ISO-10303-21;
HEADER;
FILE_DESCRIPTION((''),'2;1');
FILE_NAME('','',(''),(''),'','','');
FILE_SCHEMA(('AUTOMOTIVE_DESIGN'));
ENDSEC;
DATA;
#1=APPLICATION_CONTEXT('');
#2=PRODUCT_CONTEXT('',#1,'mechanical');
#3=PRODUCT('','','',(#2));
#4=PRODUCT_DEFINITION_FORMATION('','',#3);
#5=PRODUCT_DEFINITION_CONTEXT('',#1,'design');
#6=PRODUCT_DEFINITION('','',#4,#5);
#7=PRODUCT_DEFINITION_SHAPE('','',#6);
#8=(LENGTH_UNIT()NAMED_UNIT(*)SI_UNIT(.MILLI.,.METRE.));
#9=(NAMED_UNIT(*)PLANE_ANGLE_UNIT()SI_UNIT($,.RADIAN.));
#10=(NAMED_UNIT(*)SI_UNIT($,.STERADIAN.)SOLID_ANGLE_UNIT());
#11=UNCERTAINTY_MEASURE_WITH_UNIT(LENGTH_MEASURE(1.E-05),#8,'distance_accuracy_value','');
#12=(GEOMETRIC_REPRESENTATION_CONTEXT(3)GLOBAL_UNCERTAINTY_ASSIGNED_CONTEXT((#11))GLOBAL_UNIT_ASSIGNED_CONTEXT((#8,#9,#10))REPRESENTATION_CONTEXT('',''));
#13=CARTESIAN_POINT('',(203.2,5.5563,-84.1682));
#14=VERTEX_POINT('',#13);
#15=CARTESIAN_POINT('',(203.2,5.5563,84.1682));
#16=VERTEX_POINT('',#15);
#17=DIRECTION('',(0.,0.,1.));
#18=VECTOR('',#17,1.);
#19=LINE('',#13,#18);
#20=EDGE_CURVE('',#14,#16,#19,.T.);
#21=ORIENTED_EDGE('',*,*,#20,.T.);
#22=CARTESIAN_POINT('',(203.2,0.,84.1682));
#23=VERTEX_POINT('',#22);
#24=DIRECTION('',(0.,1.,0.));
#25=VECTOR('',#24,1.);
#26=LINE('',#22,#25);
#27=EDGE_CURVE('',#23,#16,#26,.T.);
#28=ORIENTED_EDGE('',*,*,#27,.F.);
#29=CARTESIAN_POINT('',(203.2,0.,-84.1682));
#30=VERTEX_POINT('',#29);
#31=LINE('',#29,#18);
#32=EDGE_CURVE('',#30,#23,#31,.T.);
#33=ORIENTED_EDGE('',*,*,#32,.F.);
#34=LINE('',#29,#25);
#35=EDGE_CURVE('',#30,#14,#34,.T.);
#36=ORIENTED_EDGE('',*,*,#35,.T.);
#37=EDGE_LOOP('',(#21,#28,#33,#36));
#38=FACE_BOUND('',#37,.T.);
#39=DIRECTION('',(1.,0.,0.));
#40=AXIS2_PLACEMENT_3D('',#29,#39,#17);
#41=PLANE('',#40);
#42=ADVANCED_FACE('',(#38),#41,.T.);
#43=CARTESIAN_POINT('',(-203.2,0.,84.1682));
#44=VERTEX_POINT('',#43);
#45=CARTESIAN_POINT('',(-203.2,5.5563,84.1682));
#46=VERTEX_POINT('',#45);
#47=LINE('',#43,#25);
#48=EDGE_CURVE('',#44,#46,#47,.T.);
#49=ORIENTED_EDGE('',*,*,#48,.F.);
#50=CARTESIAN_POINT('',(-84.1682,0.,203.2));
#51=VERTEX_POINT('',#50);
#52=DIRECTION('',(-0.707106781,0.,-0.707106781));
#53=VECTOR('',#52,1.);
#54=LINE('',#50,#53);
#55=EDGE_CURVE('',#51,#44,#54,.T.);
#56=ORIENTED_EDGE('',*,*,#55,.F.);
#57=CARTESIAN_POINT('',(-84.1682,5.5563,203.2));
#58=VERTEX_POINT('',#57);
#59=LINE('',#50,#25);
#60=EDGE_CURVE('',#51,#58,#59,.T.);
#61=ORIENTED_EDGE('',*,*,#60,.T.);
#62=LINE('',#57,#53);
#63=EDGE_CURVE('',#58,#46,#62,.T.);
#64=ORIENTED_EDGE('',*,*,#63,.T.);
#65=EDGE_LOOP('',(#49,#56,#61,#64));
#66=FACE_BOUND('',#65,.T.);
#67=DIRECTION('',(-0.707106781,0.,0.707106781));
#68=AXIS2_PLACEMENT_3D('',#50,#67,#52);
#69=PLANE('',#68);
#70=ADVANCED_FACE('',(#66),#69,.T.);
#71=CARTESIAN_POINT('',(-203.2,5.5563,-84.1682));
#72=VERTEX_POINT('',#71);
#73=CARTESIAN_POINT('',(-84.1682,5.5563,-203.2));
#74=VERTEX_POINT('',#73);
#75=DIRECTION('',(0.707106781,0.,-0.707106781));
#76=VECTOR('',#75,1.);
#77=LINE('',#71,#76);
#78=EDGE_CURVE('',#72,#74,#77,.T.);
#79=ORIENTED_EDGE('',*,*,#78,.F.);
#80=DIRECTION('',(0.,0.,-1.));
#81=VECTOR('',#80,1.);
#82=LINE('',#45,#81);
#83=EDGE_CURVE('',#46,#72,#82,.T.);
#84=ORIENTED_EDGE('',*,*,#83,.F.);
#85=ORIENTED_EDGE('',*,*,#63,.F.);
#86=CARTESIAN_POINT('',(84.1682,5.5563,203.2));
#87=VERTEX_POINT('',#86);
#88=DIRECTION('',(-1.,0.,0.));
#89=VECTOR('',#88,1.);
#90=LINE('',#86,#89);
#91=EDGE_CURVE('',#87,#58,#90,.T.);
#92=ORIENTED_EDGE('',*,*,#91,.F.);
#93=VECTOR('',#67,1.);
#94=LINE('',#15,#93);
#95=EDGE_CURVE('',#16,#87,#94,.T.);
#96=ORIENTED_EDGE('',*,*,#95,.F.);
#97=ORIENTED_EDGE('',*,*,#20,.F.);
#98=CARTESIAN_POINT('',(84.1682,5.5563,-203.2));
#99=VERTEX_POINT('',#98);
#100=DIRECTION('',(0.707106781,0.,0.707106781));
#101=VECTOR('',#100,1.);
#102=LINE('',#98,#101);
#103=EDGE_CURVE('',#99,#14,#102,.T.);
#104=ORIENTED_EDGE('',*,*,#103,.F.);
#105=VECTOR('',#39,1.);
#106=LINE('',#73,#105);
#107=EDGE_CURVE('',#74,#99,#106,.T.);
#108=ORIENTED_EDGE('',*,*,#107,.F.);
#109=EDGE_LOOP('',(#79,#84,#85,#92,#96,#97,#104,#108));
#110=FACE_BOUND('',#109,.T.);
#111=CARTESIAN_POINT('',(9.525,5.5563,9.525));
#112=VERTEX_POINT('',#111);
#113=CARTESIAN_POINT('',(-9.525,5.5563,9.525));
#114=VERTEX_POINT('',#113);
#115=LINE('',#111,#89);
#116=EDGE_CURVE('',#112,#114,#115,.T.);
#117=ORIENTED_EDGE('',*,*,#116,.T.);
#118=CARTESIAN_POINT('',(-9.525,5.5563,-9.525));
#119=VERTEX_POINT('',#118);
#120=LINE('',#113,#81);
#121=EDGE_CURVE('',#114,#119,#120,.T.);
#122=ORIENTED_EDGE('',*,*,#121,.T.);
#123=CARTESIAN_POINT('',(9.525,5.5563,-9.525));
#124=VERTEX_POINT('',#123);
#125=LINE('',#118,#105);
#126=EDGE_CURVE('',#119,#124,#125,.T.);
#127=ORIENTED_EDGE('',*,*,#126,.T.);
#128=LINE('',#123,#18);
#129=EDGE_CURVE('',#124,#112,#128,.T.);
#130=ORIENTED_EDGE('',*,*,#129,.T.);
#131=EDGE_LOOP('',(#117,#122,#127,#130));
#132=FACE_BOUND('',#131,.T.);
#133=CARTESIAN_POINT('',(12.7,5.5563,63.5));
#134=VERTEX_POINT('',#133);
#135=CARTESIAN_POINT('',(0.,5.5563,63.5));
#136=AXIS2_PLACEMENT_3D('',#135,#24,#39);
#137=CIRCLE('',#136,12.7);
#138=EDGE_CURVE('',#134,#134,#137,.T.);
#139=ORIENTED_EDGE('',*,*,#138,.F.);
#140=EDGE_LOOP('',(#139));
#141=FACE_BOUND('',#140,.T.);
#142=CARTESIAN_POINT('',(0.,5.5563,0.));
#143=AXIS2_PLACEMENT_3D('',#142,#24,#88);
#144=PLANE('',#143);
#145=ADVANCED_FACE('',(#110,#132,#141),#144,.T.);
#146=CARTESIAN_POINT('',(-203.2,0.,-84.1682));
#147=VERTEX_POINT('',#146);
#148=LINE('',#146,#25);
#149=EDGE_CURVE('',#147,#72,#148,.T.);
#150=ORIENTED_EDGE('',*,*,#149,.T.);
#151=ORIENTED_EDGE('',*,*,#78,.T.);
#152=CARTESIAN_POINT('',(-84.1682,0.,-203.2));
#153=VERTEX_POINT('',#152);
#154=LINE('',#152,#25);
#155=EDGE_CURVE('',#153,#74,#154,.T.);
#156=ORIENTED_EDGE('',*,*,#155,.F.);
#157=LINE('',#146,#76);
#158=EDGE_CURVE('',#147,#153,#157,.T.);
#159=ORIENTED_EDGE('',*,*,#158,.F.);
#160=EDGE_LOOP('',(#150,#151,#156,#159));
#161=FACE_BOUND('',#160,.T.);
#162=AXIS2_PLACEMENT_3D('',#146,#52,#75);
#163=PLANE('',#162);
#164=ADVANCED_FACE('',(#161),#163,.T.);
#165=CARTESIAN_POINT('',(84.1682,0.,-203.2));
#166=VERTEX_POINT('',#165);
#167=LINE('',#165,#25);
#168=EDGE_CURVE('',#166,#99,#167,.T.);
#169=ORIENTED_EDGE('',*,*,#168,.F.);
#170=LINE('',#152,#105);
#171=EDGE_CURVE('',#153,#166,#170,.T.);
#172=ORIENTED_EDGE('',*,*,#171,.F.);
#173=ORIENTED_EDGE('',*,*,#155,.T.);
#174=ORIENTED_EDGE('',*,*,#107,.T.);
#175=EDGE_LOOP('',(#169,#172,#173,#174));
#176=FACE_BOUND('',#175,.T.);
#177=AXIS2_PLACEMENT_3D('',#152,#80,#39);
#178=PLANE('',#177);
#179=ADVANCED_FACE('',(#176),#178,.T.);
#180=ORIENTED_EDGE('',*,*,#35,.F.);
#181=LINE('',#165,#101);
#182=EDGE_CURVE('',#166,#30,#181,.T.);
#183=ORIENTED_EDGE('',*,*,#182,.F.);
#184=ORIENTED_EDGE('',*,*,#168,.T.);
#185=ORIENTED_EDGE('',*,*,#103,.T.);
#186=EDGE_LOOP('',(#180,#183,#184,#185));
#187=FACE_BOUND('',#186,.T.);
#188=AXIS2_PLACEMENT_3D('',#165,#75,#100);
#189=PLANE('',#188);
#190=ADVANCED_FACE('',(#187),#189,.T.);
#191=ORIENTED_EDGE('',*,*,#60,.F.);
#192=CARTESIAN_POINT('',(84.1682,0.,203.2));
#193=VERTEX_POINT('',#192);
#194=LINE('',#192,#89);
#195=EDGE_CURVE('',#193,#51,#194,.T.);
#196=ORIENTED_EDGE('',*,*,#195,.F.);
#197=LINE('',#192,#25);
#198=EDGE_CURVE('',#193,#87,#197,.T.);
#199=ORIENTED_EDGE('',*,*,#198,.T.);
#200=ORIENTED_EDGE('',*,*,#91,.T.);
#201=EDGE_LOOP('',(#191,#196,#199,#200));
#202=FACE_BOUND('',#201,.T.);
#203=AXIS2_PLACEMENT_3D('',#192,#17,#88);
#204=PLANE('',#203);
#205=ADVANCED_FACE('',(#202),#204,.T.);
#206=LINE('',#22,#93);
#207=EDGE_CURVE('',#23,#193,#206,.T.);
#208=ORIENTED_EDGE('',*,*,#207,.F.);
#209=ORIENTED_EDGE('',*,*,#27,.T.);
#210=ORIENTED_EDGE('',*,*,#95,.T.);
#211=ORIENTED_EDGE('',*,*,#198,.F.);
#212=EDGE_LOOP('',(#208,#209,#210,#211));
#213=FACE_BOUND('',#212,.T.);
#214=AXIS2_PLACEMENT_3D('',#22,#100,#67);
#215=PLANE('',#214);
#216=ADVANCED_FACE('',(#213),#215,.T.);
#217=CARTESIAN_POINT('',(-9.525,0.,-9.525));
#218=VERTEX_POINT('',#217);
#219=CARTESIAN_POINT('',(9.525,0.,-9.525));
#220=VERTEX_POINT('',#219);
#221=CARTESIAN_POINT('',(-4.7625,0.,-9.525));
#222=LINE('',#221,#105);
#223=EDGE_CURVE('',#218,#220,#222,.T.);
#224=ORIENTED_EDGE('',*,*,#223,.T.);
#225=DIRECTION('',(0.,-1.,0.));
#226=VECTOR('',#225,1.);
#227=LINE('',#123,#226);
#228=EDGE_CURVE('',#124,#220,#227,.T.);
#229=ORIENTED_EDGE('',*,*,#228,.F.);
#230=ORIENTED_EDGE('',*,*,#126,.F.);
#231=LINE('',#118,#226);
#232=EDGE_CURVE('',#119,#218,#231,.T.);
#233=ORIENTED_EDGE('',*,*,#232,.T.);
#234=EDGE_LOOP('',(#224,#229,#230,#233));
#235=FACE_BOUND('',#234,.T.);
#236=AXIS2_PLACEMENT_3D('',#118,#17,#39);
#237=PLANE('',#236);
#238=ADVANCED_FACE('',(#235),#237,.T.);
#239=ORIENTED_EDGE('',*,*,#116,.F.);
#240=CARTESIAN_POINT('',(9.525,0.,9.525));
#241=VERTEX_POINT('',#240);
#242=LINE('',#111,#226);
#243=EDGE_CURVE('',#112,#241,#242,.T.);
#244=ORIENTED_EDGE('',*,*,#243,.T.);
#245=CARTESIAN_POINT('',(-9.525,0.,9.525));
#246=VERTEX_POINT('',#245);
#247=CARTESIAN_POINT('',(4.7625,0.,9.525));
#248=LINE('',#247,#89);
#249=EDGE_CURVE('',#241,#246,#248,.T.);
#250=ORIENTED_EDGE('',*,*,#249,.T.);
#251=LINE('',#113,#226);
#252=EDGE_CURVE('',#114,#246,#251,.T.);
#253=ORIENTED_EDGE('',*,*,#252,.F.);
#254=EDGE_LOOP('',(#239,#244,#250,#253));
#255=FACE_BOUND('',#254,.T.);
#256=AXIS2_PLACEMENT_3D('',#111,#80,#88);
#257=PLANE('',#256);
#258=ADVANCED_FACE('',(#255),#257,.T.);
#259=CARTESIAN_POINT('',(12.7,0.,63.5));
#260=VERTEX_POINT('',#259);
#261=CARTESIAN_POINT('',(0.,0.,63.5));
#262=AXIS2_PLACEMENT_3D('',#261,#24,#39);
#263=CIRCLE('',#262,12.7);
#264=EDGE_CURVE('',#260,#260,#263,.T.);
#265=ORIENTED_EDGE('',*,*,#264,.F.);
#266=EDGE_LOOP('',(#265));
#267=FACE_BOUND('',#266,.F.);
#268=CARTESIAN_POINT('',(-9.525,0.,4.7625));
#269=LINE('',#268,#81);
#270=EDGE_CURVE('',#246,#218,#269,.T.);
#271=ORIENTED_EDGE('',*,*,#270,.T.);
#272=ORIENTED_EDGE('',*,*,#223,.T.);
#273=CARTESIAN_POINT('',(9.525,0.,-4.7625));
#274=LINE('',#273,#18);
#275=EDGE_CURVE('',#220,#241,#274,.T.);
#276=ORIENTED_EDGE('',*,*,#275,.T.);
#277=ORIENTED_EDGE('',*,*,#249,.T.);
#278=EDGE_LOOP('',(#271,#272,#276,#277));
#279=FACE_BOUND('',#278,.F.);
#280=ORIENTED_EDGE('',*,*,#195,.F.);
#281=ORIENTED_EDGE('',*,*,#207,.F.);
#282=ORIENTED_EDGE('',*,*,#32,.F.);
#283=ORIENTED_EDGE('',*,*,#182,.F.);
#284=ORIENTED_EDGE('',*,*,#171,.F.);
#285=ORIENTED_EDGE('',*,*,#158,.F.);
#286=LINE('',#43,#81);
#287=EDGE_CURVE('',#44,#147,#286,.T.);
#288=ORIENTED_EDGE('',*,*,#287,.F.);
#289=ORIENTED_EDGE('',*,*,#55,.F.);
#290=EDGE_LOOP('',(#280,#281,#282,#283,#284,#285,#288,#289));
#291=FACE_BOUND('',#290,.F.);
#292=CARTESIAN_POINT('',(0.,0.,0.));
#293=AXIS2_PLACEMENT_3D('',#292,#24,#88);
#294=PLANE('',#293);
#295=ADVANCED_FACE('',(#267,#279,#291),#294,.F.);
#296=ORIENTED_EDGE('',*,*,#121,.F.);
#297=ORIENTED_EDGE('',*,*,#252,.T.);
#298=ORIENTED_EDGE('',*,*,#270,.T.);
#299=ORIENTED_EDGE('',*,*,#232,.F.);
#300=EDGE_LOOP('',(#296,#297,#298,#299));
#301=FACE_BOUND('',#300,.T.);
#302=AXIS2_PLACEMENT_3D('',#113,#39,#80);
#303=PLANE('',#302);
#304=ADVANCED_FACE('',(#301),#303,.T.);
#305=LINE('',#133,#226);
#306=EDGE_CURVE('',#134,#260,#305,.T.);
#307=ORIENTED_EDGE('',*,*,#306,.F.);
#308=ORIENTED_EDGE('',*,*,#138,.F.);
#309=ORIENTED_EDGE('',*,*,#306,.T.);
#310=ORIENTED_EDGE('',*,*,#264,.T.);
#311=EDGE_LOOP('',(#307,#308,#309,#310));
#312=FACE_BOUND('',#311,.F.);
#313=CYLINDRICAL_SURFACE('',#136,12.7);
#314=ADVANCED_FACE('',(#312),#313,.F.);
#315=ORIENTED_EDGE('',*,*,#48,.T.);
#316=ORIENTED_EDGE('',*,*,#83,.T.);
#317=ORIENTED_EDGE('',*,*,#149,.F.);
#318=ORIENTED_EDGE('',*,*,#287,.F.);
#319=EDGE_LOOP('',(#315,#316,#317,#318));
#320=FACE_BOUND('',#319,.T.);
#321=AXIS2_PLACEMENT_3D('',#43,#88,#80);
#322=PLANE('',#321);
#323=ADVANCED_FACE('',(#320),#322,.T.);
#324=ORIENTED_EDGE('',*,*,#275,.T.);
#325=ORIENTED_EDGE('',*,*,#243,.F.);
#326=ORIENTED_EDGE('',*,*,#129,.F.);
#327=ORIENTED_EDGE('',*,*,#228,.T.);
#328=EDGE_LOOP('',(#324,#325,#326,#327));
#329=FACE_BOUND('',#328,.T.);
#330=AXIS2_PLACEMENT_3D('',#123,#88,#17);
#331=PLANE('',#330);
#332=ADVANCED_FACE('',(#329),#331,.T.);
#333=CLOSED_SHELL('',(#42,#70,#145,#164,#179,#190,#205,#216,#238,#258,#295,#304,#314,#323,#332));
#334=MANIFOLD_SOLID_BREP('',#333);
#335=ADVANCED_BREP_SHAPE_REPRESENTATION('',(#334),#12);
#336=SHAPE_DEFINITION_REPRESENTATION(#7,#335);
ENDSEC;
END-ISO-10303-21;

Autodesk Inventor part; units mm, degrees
ref_plane "YZ Plane" through (0, 0, 0) normal (1, 0, 0) x (0, 1, 0)
ref_plane "XZ Plane" through (0, 0, 0) normal (0, 1, 0) x (-1, 0, 0)
ref_plane "XY Plane" through (0, 0, 0) normal (0, 0, 1) x (1, 0, 0)
sketch "Sketch1" plane through (0, 0, 0) normal (0, 1, 0) x (-1, 0, 0)
  line L0 (-203.2, 84.1682) -> (-84.1682, 203.2)
  line L1 (-84.1682, 203.2) -> (84.1682, 203.2)
  line L2 (84.1682, 203.2) -> (203.2, 84.1682)
  line L3 (203.2, 84.1682) -> (203.2, -84.1682)
  line L4 (203.2, -84.1682) -> (84.1682, -203.2)
  line L5 (84.1682, -203.2) -> (-84.1682, -203.2)
  line L6 (-84.1682, -203.2) -> (-203.2, -84.1682)
  line L7 (-203.2, -84.1682) -> (-203.2, 84.1682)
  point P0 (0, 0)
  point P1 (0, 0)
  dimension "d0" = 406.4
extrude "Extrusion1" add sketch "Sketch1" along normal blind 5.5563
sketch "Sketch2" plane through (0, 5.5563, 0) normal (0, 1, 0) x (1, 0, 0)
  line L0 (9.525, -9.525) -> (-9.525, -9.525)
  line L1 (-9.525, -9.525) -> (-9.525, 9.525)
  line L2 (-9.525, 9.525) -> (9.525, 9.525)
  line L3 (9.525, 9.525) -> (9.525, -9.525)
  circle A0 centre (0, -63.5) radius 12.7
  point P0 (0, 0)
  dimension "d3" = 19.05
  dimension "d4" = 19.05
  dimension "d5" = 9.525
  dimension "d6" = 9.525
  dimension "d9" = 25.4
  dimension "d10" = 63.5
extrude "Extrusion2" cut sketch "Sketch2" against normal through all
equation "\"d0\" = BaseWidth"
equation "\"d3\" = MastWidth"
equation "\"d4\" = d3"
equation "\"d5\" = 0.5 * d3"
equation "\"d6\" = 0.5 * d3"
equation "\"d9\" = WireHoleDiameter"
equation "\"d10\" = WireHoleOffset"
equation "\"BaseWidth\" = 406.4"
equation "\"MastWidth\" = 19.05"
equation "\"WireHoleDiameter\" = 25.4"
equation "\"WireHoleOffset\" = 63.5"
properties part number "Robot-Upper-Base" material "Wood (Birch)"
